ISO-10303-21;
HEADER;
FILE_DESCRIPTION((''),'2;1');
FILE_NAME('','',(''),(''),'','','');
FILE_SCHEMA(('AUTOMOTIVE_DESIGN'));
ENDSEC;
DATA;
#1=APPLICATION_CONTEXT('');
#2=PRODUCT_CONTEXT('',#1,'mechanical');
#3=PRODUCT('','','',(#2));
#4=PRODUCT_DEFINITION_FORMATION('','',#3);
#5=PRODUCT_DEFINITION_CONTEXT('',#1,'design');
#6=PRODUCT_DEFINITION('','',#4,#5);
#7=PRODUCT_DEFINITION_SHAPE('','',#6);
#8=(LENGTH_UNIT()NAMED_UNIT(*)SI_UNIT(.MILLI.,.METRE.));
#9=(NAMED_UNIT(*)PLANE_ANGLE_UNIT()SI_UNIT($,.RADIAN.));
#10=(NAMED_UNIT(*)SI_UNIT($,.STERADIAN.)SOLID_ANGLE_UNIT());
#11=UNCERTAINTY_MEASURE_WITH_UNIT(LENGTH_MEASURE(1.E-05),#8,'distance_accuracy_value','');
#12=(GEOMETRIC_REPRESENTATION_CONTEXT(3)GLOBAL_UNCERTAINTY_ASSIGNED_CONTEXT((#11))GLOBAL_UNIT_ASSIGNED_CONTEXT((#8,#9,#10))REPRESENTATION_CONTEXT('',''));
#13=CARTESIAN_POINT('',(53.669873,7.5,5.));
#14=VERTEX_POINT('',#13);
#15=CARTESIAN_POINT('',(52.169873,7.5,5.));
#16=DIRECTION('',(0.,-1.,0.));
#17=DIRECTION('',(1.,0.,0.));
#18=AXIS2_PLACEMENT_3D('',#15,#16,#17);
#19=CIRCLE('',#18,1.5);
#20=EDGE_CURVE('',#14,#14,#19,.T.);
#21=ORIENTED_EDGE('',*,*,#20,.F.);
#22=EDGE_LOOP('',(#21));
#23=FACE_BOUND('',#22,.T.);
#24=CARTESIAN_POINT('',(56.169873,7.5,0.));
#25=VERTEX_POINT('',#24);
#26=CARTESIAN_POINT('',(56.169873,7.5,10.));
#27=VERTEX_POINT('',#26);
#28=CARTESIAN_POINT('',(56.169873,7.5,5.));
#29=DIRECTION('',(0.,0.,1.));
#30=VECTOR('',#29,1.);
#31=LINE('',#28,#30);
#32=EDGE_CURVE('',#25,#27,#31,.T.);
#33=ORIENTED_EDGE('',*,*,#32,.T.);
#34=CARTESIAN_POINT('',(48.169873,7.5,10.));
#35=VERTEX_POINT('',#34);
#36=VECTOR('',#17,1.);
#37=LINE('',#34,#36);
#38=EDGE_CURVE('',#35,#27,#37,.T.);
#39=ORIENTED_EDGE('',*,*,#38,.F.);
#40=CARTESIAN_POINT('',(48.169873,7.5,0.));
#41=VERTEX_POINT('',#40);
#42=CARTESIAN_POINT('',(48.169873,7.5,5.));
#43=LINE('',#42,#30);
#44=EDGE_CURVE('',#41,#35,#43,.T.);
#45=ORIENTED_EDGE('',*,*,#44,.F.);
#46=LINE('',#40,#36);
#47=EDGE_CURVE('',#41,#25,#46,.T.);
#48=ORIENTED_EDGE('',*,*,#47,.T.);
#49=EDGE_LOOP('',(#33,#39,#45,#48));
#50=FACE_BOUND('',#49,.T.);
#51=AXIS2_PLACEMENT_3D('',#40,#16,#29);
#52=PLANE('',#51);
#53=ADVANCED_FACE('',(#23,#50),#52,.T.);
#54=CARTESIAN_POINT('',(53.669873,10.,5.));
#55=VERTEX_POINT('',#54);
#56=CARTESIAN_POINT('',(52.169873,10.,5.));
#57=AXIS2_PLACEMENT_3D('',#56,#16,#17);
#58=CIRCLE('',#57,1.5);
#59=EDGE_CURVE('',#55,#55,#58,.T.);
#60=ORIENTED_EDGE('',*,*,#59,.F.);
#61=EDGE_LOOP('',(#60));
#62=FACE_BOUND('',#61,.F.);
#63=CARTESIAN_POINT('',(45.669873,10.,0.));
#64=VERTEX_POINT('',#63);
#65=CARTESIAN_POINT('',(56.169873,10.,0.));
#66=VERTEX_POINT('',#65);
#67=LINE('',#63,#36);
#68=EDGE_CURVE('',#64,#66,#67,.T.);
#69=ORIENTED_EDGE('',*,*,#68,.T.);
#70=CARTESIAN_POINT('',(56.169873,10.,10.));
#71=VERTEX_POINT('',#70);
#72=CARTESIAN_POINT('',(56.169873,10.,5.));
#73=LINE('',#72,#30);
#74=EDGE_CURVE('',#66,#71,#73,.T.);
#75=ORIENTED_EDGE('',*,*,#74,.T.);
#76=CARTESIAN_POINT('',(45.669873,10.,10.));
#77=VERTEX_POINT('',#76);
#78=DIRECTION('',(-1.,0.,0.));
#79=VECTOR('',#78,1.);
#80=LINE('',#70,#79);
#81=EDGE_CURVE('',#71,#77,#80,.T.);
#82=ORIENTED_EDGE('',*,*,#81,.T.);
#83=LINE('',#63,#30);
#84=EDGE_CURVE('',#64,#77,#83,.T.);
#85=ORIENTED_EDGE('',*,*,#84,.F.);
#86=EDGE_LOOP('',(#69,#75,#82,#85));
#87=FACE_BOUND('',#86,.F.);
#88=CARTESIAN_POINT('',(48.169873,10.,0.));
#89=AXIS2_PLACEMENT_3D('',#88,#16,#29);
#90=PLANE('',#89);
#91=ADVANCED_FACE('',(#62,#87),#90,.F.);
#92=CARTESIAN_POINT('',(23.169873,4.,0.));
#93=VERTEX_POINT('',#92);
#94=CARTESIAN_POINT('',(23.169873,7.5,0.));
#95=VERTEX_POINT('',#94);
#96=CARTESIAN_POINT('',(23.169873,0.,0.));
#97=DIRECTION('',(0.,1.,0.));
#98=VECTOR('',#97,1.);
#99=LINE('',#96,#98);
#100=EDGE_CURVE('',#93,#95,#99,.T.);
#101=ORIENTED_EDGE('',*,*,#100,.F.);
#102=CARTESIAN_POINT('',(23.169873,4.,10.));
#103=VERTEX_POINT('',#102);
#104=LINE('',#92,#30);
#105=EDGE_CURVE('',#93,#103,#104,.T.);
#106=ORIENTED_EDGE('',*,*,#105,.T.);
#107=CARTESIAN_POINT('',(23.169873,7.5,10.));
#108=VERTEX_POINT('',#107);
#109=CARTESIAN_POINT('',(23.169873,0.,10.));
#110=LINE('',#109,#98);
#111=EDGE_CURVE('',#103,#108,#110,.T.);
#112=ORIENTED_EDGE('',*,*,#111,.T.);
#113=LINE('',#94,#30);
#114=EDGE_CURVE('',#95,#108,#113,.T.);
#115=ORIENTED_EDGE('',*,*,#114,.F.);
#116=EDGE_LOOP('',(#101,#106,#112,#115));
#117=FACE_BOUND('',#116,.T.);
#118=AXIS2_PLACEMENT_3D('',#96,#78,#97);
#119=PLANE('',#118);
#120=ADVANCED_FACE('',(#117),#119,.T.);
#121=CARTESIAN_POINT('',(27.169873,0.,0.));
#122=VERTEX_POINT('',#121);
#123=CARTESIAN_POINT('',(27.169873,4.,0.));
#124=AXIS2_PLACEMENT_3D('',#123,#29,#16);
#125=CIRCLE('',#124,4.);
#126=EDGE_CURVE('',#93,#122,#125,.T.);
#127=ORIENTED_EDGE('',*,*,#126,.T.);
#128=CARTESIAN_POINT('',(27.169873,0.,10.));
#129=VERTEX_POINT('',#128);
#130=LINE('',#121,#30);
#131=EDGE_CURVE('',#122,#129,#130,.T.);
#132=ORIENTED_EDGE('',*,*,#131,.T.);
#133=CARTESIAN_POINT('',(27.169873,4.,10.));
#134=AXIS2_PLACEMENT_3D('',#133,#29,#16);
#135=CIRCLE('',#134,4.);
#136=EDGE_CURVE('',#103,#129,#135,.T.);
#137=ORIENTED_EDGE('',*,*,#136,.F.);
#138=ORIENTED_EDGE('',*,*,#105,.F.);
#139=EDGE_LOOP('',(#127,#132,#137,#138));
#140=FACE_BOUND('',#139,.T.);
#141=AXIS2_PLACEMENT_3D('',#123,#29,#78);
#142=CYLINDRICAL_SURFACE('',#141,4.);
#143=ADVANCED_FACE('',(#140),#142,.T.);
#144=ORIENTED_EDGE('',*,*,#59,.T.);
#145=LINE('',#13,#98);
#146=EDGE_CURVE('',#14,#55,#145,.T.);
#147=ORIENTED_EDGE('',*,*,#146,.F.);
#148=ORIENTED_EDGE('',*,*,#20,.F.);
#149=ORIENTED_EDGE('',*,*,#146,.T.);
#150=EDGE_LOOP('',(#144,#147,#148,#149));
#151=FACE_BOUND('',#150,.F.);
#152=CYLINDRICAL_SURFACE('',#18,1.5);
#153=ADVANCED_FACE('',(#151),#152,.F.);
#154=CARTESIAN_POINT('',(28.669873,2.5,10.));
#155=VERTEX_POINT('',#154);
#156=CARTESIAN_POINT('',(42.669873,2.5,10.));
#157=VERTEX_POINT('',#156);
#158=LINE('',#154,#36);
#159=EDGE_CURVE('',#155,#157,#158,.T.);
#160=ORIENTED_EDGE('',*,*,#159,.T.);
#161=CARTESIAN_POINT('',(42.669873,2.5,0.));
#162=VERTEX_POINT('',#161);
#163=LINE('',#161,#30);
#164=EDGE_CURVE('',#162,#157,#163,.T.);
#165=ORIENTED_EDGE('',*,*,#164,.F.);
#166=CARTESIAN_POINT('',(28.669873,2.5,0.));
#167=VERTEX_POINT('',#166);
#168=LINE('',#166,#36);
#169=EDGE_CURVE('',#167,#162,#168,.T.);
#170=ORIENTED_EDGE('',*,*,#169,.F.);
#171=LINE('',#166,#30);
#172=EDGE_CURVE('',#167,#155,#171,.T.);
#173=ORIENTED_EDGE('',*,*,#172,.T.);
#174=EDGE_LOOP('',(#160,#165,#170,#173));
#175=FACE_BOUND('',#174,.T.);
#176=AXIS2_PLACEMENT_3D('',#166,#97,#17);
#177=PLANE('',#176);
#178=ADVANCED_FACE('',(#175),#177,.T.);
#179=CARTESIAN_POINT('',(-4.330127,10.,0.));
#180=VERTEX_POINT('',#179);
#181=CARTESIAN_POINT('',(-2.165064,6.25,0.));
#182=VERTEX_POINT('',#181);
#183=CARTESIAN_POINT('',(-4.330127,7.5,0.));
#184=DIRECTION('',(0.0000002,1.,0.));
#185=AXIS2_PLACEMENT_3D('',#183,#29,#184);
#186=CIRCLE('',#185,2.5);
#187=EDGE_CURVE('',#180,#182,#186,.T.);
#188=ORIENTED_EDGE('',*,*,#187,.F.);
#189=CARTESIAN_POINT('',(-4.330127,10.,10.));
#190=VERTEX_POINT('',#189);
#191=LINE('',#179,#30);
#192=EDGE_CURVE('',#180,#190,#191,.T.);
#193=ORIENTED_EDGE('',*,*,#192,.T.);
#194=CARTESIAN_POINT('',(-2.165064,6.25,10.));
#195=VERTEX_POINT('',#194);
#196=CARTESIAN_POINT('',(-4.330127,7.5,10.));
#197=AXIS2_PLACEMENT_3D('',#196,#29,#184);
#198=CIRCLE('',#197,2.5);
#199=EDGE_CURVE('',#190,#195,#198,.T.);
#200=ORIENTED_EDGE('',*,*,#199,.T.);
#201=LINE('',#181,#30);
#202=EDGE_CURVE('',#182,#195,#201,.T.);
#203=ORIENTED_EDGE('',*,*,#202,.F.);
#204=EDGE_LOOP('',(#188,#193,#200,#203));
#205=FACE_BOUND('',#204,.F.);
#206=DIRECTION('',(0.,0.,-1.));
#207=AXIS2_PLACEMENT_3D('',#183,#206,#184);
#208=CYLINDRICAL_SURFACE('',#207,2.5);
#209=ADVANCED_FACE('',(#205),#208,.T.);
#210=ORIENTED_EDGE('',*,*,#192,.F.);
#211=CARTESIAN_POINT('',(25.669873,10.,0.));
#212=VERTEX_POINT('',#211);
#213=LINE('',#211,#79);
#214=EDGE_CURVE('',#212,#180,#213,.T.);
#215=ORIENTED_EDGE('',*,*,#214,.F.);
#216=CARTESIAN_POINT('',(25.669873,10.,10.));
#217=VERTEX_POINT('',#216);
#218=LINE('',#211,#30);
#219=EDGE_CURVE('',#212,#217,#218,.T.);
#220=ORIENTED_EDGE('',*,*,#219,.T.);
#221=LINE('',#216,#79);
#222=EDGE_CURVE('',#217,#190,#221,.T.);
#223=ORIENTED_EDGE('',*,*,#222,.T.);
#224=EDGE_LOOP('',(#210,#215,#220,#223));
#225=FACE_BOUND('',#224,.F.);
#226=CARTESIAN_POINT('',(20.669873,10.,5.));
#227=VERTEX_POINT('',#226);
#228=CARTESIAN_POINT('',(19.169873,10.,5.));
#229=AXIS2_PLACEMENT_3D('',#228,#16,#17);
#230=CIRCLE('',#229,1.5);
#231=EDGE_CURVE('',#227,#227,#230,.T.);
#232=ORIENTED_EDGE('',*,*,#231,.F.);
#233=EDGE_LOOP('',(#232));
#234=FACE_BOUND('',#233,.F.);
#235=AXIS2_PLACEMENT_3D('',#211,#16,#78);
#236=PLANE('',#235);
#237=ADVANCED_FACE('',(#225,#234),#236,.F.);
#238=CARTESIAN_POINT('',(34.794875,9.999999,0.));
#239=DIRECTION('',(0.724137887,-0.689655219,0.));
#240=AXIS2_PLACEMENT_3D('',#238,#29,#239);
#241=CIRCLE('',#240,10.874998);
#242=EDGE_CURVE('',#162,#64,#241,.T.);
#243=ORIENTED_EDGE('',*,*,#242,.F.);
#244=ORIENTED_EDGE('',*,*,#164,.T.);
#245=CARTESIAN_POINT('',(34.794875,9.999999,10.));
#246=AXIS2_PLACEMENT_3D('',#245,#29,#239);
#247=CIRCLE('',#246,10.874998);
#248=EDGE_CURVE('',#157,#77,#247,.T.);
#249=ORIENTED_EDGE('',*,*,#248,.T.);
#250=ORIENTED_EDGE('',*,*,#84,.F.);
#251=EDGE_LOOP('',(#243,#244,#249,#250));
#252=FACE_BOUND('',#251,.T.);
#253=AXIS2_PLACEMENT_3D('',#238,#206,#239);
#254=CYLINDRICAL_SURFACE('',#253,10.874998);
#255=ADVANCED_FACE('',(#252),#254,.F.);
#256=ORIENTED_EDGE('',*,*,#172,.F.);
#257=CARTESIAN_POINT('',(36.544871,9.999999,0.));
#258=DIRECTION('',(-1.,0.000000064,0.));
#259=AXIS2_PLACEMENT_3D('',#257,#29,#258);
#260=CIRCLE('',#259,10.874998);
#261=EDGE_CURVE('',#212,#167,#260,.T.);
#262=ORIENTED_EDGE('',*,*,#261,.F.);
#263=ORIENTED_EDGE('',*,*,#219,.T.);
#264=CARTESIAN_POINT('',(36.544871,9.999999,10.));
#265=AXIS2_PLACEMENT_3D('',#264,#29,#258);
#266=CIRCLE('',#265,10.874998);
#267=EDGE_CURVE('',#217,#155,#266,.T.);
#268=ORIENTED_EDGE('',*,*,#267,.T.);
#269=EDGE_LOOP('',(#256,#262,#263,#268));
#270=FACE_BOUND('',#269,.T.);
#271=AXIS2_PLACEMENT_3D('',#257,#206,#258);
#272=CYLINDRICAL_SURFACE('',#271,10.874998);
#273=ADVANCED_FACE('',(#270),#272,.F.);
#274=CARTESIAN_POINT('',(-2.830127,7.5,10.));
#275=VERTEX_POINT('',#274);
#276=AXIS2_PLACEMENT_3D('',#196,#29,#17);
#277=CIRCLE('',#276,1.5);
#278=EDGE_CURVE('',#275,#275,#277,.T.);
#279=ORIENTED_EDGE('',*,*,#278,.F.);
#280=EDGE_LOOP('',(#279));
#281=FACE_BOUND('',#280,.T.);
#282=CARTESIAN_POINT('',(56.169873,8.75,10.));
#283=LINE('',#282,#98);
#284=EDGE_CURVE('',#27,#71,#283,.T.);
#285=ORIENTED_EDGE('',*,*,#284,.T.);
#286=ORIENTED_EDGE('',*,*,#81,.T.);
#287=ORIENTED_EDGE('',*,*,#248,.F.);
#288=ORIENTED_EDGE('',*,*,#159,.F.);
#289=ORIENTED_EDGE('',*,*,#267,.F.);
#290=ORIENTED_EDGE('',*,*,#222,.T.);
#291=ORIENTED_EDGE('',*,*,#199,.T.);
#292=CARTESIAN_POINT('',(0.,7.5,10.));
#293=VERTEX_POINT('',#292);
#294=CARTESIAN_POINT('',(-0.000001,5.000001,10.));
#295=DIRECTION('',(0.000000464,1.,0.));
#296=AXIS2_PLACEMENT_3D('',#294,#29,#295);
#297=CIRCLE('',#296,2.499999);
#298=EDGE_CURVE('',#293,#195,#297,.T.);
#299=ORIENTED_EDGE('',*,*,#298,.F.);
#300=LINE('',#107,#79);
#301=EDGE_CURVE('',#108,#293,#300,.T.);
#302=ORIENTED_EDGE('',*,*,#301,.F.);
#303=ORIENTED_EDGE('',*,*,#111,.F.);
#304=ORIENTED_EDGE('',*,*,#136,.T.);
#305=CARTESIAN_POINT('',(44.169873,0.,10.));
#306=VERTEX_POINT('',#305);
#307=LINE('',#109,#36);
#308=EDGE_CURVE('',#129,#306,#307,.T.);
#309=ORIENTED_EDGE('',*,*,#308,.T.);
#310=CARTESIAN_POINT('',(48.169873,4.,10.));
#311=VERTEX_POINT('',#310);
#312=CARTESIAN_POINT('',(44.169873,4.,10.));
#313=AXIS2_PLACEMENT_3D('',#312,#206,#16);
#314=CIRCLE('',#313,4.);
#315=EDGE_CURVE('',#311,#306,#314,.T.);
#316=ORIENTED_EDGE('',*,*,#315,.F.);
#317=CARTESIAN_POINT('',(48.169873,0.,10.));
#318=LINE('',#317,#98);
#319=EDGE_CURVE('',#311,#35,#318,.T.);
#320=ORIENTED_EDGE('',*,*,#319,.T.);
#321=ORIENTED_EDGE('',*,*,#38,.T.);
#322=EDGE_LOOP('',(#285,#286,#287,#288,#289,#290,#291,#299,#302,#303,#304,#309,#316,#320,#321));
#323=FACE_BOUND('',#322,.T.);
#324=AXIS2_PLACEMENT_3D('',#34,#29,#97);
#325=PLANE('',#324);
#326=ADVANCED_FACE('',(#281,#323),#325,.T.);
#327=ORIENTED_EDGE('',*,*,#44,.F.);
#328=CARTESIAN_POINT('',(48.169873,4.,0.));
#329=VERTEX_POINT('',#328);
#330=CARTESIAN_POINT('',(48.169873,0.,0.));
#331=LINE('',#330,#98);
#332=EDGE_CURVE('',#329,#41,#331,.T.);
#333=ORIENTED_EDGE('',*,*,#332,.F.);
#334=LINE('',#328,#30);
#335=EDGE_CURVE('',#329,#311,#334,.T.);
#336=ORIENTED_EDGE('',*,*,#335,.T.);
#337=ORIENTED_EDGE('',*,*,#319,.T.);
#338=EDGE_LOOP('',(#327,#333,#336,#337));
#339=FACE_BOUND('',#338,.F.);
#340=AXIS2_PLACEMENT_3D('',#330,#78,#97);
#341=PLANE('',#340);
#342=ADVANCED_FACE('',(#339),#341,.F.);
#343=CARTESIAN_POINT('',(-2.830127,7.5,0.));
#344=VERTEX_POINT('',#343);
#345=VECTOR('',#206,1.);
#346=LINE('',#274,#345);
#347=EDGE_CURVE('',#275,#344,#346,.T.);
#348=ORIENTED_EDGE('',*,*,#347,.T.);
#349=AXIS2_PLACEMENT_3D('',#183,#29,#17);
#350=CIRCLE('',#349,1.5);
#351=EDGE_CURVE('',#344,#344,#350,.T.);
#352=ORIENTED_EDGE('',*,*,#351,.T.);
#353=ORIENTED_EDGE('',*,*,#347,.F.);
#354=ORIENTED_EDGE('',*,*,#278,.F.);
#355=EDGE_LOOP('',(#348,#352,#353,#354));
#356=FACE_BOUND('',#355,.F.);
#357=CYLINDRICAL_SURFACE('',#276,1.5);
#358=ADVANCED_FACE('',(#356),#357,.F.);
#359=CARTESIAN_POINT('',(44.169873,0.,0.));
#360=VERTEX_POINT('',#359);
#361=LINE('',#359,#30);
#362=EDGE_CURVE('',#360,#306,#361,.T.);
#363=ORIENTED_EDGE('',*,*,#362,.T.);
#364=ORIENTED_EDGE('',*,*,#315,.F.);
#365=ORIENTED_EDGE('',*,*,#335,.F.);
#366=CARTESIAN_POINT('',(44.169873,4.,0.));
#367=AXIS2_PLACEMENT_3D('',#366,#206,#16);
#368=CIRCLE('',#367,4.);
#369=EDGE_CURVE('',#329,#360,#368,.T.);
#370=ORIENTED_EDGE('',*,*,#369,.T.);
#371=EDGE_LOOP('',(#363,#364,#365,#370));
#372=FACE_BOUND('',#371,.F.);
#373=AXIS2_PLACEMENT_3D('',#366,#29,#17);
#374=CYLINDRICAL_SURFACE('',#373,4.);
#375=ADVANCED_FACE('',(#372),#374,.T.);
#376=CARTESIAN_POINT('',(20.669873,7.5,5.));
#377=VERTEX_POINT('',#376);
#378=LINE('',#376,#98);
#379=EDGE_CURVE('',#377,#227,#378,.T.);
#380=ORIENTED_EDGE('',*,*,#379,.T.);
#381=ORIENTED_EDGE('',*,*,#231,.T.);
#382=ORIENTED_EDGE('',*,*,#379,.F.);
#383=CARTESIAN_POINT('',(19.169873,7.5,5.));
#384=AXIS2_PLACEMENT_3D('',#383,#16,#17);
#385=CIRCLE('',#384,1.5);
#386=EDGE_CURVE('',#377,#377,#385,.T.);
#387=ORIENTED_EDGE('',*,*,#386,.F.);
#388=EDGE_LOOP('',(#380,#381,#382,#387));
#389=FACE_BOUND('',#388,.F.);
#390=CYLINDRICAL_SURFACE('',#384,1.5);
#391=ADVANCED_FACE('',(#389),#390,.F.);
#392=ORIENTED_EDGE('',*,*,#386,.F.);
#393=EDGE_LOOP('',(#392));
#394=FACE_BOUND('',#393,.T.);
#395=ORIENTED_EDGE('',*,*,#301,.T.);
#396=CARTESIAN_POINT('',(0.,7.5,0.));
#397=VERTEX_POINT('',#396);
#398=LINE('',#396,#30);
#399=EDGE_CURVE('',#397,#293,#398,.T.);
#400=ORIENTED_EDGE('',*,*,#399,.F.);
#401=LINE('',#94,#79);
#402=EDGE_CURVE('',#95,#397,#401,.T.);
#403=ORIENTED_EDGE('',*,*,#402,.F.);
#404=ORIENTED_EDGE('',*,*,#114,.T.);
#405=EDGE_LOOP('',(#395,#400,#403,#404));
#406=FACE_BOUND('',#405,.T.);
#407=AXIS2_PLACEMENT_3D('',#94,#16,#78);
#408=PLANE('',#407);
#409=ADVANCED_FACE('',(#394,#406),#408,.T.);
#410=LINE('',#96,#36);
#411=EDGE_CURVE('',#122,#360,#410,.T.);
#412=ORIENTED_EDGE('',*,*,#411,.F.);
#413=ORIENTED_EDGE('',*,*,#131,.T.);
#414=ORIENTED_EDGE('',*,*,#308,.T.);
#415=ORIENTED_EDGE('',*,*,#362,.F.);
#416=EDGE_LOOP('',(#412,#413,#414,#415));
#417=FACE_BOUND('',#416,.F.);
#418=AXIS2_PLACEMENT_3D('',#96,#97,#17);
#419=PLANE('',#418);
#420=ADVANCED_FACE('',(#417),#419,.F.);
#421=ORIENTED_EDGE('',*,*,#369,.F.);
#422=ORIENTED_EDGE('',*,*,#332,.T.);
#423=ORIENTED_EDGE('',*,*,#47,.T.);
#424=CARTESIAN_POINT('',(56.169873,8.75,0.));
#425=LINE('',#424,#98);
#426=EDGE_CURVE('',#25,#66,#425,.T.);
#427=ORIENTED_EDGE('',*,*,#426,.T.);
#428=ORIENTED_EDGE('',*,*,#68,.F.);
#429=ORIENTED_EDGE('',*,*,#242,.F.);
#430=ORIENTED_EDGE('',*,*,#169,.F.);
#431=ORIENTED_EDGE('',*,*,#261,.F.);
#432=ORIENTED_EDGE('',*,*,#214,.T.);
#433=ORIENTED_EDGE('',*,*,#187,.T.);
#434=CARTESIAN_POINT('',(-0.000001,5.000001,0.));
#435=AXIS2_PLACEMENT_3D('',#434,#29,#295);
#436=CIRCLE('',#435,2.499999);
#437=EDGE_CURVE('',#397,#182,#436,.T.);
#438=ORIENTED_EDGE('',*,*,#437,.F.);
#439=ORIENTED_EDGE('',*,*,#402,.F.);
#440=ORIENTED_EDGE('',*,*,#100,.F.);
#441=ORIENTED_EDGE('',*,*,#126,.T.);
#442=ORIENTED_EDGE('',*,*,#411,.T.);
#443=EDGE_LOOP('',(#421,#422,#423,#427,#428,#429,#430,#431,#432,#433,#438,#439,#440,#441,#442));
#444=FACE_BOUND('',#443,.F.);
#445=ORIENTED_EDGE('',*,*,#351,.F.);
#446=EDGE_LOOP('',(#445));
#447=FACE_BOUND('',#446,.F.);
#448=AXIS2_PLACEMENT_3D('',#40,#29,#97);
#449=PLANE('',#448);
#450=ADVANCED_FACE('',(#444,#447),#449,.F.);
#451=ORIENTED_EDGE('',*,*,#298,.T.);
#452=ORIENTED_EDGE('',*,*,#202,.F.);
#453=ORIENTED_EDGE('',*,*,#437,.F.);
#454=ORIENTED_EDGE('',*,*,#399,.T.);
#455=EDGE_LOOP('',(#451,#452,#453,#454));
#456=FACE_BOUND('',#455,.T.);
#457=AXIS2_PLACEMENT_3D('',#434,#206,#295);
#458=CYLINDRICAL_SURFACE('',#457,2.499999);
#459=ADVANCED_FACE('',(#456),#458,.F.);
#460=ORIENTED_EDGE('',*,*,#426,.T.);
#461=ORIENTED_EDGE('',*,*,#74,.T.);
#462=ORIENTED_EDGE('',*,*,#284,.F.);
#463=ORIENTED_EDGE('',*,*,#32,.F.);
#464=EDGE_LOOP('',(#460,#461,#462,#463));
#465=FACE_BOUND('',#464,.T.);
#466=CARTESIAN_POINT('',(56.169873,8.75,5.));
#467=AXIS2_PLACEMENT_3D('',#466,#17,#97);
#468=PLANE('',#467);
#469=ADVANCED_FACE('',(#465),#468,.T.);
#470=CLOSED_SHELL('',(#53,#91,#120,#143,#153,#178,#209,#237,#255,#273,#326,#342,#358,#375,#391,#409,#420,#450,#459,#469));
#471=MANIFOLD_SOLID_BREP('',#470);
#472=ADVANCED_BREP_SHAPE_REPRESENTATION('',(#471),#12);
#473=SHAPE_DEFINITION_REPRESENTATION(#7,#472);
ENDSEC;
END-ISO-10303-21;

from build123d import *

# Parameters (mm, degrees)
PAD_DEPTH       = 10
SKETCH002_R     = 1.5
POCKET_DEPTH    = 10.001
SKETCH003_W     = 2.5
SKETCH003_H     = 10
PAD001_DEPTH    = 8
SKETCH004_R     = 1.5
POCKET001_DEPTH = 2.501
FILLET_R        = 4


with BuildPart() as part:
    # Sketch → Pad (new body)
    with BuildSketch(Plane.XY):
        with BuildLine():
            ThreePointArc((25.669873, 10), (26.447689, 5.961126), (28.669873, 2.5))
            Line((28.669873, 2.5), (42.669873, 2.5))
            ThreePointArc((42.669873, 2.5), (44.892057, 5.961126), (45.669873, 10))
            Line((48.169873, 10), (45.669873, 10))
            Line((48.169873, 0), (48.169873, 10))
            Line((23.169873, 0), (48.169873, 0))
            Line((23.169873, 0), (23.169873, 7.5))
            Line((23.169873, 7.5), (0, 7.5))
            ThreePointArc((0, 7.5), (-1.25, 7.165064), (-2.165064, 6.25))
            ThreePointArc((-4.330127, 10), (-6.495191, 6.25), (-2.165064, 6.25))
            Line((-4.330127, 10), (23.169873, 10))
            Line((25.669873, 10), (23.169873, 10))
        make_face()
    extrude(amount=PAD_DEPTH)

    # Sketch002 → Pocket (cut, through all)
    with BuildSketch(Plane.XY.offset(10)):
        with Locations((-4.330127, 7.5)):
            Circle(SKETCH002_R)
    extrude(amount=-POCKET_DEPTH, mode=Mode.SUBTRACT)

    # Sketch003 (on Face11 of Pocket) → Pad001 (join)
    with BuildSketch(Plane.YZ.offset(48.169873)):
        with Locations((8.75, 5)):
            Rectangle(SKETCH003_W, SKETCH003_H)
    extrude(amount=PAD001_DEPTH)

    # Sketch004 (on Face11 of Pad001) → Pocket001 (cut, through all)
    with BuildSketch(Plane.XZ.offset(-7.5)):
        with Locations((52.169873, 5)):
            Circle(SKETCH004_R)
        with Locations((19.169873, 5)):
            Circle(SKETCH004_R)
    extrude(amount=-POCKET001_DEPTH, mode=Mode.SUBTRACT)

    # Fillet
    fillet_edges = [part.edges().sort_by_distance(p)[0] for p in [
        (48.169873, 0, 5),
        (23.169873, 0, 5),
    ]]
    fillet(fillet_edges, radius=FILLET_R)


solid = part.part
